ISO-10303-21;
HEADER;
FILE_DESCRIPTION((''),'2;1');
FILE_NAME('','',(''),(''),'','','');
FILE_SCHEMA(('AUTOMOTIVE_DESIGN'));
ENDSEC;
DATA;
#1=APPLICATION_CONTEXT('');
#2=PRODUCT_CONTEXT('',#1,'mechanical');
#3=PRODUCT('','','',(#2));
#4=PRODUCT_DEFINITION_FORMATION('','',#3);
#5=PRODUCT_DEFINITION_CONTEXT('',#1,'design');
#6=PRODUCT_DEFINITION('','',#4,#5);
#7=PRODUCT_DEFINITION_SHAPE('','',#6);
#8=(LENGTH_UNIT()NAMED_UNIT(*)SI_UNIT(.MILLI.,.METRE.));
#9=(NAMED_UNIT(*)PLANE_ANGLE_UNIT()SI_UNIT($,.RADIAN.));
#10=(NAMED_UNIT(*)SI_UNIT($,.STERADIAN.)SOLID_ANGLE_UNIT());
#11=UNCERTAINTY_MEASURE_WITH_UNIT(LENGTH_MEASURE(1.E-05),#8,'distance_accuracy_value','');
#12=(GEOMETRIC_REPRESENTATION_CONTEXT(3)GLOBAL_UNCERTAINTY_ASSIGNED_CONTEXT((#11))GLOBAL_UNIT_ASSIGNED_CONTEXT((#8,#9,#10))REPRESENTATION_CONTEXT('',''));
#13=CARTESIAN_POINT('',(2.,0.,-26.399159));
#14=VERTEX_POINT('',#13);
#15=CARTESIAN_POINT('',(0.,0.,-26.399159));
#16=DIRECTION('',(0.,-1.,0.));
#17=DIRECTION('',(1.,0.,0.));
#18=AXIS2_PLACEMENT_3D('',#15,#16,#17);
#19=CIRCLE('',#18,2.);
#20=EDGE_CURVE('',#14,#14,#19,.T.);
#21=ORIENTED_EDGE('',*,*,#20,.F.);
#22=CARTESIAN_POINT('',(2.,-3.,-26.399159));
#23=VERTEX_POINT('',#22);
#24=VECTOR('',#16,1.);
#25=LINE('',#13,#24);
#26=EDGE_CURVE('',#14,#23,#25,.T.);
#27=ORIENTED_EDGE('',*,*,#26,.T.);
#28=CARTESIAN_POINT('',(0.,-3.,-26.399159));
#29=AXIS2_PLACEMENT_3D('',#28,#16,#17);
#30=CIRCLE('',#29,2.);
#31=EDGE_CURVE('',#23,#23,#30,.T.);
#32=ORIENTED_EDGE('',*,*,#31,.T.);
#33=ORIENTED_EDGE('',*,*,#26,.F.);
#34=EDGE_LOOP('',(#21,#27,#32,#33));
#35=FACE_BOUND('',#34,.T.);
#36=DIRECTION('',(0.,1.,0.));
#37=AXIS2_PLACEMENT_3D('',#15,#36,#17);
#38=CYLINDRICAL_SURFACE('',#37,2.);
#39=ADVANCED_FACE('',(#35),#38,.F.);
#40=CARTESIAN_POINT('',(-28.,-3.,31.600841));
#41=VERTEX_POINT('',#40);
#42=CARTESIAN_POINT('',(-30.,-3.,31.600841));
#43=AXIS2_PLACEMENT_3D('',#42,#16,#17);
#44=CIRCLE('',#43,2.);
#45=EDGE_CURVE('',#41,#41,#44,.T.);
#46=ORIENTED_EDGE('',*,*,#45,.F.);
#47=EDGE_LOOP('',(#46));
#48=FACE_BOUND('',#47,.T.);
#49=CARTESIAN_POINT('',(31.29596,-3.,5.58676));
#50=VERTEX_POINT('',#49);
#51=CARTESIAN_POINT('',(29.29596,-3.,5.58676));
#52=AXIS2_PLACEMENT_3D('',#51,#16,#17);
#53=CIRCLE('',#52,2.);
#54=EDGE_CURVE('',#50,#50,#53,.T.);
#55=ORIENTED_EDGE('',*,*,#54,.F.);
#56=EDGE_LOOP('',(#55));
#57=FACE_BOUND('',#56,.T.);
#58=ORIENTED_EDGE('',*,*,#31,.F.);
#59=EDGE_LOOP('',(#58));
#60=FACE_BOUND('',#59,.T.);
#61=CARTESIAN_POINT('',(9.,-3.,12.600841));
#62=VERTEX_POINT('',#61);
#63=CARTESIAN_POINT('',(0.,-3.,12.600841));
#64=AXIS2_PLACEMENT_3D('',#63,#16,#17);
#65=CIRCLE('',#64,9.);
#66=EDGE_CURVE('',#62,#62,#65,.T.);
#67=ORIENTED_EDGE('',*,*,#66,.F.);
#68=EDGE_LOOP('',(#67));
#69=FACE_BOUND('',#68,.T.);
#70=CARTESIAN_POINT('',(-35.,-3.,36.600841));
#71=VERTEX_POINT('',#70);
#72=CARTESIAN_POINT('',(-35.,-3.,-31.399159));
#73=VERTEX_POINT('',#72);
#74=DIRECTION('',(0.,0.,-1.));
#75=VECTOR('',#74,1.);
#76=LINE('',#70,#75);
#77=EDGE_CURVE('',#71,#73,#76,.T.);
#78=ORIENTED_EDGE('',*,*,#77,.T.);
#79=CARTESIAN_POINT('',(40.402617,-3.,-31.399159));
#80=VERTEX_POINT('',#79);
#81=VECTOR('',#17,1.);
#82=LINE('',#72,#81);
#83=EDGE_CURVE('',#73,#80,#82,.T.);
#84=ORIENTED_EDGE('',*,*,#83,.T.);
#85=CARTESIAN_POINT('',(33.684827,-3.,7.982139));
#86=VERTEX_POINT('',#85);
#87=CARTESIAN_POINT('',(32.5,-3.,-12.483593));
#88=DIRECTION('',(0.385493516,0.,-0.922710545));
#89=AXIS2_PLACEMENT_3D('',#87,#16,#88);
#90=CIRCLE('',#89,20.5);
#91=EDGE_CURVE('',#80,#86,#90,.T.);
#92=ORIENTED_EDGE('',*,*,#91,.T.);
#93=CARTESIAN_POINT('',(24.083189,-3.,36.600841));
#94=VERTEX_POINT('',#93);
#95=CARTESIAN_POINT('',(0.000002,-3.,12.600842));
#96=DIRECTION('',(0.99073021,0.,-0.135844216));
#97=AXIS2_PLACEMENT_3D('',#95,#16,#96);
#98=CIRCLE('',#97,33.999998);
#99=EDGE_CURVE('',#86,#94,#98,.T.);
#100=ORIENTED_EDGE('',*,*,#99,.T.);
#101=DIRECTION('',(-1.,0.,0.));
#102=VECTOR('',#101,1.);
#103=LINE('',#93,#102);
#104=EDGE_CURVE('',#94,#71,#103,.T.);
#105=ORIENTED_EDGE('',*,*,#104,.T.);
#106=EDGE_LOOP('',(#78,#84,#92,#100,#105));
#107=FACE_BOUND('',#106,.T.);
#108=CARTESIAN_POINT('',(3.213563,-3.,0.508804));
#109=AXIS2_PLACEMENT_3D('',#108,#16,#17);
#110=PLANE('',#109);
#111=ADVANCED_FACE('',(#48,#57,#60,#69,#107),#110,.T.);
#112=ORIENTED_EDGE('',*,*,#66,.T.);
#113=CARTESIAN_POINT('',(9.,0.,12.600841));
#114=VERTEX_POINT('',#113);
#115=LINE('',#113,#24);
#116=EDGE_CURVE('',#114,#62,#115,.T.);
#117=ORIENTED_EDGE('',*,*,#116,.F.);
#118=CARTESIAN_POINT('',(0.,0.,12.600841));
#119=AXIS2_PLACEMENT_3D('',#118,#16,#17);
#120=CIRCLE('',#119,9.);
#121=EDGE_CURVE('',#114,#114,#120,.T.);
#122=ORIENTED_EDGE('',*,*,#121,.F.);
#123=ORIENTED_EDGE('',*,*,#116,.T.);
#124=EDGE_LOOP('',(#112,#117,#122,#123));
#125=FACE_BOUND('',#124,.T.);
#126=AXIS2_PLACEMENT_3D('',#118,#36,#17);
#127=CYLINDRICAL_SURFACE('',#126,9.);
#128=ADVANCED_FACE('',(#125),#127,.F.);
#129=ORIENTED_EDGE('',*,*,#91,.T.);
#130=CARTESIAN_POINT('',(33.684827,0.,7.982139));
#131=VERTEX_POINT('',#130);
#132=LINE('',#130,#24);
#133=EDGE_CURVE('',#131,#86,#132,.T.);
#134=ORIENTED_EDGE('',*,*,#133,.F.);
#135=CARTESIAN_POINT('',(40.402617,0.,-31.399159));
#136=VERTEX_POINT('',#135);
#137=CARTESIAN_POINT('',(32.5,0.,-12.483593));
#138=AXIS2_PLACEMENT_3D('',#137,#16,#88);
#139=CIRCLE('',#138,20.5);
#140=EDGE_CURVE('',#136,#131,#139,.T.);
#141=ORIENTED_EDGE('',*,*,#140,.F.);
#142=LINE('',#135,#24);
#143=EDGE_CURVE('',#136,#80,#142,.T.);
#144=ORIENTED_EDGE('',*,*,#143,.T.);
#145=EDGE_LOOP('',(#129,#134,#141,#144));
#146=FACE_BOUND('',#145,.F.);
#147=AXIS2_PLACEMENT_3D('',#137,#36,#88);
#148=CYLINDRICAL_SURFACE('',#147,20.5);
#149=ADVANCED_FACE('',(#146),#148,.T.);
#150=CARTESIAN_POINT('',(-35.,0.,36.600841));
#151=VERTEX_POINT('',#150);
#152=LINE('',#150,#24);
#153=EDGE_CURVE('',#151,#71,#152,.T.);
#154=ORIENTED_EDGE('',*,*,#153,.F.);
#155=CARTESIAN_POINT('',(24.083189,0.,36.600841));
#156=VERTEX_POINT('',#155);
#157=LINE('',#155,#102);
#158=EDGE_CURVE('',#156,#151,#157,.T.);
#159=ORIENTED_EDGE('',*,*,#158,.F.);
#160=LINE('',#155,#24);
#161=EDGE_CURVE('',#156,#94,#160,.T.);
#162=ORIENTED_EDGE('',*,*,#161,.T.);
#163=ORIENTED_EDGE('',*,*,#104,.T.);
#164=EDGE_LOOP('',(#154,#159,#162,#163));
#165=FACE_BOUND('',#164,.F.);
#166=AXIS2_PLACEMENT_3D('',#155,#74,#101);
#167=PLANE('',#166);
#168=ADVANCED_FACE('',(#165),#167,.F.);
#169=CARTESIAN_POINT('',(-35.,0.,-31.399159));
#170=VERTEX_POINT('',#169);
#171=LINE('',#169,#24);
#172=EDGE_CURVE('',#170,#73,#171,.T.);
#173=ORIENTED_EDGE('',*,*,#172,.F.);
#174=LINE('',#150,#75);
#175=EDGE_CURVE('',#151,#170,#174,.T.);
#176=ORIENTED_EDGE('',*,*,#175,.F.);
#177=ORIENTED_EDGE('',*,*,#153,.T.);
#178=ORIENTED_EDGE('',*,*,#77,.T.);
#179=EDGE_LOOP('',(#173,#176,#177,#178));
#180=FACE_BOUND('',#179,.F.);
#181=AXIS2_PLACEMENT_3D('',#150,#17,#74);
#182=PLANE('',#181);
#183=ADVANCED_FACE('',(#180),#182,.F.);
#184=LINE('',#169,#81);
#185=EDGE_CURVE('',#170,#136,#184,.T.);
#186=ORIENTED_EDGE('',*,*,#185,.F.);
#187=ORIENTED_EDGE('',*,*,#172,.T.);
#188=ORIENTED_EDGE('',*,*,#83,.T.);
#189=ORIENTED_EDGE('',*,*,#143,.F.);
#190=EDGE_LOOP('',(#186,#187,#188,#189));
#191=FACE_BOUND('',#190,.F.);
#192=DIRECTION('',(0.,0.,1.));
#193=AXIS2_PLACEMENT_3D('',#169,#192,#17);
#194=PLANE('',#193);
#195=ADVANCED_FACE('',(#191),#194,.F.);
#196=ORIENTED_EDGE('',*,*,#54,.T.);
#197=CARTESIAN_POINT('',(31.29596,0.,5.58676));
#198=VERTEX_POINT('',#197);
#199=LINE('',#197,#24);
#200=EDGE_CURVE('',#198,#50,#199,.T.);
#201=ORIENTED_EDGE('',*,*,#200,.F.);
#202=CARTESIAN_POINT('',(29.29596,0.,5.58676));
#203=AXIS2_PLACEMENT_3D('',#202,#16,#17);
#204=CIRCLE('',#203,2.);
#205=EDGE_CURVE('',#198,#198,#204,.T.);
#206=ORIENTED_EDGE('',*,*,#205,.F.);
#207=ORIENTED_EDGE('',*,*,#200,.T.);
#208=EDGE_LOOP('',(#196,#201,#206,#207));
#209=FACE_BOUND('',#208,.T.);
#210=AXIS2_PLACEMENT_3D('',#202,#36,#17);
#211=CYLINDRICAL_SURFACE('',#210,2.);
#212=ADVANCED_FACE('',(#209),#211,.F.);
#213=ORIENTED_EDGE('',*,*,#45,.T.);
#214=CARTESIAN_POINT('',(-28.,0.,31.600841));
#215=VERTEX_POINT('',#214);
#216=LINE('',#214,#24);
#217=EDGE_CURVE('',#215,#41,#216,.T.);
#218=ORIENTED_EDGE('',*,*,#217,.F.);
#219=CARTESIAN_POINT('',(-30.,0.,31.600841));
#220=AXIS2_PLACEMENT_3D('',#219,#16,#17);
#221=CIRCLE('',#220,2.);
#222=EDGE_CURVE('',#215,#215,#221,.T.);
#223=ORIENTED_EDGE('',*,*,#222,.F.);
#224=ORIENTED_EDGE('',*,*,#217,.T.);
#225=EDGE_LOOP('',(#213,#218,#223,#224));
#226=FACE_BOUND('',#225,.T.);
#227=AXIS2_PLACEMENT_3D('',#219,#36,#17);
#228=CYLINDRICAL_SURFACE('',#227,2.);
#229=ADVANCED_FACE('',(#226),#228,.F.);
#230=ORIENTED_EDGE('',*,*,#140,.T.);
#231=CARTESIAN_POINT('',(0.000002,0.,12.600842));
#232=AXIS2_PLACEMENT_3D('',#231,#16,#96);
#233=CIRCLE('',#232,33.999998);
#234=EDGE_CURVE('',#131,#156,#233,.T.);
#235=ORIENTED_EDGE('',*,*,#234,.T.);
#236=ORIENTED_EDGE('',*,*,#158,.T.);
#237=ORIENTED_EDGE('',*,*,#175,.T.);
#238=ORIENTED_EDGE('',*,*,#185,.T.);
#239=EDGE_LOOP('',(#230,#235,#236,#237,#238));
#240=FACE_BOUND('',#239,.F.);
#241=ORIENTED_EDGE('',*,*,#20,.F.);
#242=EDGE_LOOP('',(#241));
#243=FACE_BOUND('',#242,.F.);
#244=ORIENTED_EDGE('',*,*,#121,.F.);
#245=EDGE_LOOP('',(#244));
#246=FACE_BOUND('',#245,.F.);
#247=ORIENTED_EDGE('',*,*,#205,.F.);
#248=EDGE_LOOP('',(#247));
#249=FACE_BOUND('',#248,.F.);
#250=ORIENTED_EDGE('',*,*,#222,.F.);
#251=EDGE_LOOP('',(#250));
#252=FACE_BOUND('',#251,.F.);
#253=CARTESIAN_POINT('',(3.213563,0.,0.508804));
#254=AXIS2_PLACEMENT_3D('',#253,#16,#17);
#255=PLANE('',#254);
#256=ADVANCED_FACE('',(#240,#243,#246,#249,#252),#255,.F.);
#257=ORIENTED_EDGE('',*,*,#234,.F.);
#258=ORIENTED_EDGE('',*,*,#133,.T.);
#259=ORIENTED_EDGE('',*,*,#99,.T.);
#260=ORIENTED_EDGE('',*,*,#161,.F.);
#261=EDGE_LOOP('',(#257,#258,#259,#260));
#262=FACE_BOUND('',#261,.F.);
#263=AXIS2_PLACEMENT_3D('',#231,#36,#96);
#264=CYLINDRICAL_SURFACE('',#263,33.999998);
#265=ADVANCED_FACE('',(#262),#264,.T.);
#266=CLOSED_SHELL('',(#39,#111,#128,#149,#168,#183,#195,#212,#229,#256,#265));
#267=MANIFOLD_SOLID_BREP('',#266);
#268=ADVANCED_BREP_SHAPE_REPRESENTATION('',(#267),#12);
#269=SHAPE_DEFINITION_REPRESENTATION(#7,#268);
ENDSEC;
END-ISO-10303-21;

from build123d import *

# Parameters (mm, degrees)
F0_R     = 2
F0_R_2   = 9
F1_DEPTH = 3


with BuildPart() as f1:
    # F0 (on Front) → F1 (new body)
    with BuildSketch(Plane.XZ):
        with BuildLine():
            Line((24.083189, 36.600841), (-35, 36.600841))
            Line((-35, 36.600841), (-35, -31.399159))
            Line((-35, -31.399159), (40.402617, -31.399159))
            ThreePointArc((40.402617, -31.399159), (52.708094, -9.03643), (33.684827, 7.982139))
            ThreePointArc((33.684827, 7.982139), (32.234197, 23.415486), (24.083189, 36.600841))
        make_face()
        with Locations((0, -26.399159)):
            Circle(F0_R, mode=Mode.SUBTRACT)
        with Locations((0, 12.600841)):
            Circle(F0_R_2, mode=Mode.SUBTRACT)
        with Locations((-30, 31.600841)):
            Circle(F0_R, mode=Mode.SUBTRACT)
        with Locations((29.29596, 5.58676)):
            Circle(F0_R, mode=Mode.SUBTRACT)
    extrude(amount=F1_DEPTH)


solid = f1.part
